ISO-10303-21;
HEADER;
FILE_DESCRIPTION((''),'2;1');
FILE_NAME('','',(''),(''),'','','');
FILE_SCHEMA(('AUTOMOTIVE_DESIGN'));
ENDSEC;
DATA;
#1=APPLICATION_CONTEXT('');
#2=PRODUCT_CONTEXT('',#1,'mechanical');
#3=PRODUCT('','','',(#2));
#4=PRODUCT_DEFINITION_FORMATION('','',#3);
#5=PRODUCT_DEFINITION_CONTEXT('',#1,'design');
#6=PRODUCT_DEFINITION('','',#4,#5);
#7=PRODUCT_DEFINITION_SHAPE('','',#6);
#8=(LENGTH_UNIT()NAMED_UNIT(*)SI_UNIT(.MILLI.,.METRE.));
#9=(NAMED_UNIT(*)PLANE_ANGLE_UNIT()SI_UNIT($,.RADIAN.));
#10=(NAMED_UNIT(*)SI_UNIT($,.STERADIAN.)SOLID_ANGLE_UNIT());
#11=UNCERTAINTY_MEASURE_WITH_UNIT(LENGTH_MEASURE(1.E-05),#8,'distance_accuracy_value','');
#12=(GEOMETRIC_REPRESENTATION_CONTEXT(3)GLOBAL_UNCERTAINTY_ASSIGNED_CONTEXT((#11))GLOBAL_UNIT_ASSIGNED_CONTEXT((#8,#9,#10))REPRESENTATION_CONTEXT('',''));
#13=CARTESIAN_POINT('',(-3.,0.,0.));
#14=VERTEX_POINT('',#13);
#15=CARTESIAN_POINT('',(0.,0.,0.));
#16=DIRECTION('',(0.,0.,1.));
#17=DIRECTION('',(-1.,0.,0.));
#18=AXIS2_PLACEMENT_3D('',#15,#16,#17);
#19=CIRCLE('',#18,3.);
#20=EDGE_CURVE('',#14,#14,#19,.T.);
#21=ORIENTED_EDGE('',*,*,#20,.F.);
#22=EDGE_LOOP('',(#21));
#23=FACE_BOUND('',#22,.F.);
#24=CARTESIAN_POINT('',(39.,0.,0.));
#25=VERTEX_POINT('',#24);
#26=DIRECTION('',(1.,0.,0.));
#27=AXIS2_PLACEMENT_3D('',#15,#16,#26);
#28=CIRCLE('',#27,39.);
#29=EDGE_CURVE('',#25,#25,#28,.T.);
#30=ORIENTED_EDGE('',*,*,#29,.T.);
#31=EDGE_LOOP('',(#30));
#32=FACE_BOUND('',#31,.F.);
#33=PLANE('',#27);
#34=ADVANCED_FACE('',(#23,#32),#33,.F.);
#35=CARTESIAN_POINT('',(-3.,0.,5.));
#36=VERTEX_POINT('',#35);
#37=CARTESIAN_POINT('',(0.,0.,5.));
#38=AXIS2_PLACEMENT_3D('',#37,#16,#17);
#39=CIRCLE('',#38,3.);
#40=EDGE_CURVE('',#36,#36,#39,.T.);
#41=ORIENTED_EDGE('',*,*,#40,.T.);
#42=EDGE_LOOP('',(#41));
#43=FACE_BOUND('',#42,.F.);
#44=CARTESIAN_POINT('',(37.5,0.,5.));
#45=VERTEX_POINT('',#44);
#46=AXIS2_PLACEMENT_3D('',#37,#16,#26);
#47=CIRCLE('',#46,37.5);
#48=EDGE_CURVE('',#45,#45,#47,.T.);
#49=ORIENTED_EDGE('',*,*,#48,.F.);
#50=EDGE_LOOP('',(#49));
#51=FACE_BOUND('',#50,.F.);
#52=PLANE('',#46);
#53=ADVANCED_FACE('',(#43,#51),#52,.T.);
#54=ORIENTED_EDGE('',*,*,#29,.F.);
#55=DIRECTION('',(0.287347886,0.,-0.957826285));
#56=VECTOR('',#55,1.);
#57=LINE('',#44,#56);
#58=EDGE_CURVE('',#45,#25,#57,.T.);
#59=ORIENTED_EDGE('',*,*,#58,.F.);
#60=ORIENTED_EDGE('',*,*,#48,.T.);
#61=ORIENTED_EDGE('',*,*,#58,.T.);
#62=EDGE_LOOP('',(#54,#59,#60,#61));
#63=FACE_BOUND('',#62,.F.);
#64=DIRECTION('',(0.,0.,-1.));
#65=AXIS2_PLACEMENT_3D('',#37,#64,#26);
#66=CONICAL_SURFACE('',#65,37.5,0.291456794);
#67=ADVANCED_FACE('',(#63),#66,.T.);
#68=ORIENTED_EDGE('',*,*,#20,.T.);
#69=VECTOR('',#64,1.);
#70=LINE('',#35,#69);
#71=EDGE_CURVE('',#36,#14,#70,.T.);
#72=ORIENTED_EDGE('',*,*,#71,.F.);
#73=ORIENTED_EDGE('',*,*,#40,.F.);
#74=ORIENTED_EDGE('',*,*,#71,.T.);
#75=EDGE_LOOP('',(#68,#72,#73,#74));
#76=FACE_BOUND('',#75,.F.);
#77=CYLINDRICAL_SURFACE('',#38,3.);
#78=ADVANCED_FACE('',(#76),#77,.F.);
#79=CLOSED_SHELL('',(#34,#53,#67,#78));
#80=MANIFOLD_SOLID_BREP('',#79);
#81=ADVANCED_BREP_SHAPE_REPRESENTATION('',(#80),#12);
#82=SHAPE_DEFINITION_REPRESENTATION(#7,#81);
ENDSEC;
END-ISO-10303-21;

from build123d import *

# Parameters (mm, degrees)
SKETCH001_R  = 3
POCKET_DEPTH = 5.001


with BuildPart() as part:
    # Sketch → Revolution (revolve)
    with BuildSketch(Plane.XZ):
        Polygon((0, 0), (0, 5), (37.5, 5), (39, 0), align=None)
    revolve(axis=Axis((0, 0, 0), (0, 0, 1)))

    # Sketch001 (on Face1 of Revolution) → Pocket (cut, through all)
    with BuildSketch(Plane(origin=(0, 0, 5), x_dir=(-1, 0, 0), z_dir=(0, 0, 1))):
        Circle(SKETCH001_R)
    extrude(amount=-POCKET_DEPTH, mode=Mode.SUBTRACT)


solid = part.part
